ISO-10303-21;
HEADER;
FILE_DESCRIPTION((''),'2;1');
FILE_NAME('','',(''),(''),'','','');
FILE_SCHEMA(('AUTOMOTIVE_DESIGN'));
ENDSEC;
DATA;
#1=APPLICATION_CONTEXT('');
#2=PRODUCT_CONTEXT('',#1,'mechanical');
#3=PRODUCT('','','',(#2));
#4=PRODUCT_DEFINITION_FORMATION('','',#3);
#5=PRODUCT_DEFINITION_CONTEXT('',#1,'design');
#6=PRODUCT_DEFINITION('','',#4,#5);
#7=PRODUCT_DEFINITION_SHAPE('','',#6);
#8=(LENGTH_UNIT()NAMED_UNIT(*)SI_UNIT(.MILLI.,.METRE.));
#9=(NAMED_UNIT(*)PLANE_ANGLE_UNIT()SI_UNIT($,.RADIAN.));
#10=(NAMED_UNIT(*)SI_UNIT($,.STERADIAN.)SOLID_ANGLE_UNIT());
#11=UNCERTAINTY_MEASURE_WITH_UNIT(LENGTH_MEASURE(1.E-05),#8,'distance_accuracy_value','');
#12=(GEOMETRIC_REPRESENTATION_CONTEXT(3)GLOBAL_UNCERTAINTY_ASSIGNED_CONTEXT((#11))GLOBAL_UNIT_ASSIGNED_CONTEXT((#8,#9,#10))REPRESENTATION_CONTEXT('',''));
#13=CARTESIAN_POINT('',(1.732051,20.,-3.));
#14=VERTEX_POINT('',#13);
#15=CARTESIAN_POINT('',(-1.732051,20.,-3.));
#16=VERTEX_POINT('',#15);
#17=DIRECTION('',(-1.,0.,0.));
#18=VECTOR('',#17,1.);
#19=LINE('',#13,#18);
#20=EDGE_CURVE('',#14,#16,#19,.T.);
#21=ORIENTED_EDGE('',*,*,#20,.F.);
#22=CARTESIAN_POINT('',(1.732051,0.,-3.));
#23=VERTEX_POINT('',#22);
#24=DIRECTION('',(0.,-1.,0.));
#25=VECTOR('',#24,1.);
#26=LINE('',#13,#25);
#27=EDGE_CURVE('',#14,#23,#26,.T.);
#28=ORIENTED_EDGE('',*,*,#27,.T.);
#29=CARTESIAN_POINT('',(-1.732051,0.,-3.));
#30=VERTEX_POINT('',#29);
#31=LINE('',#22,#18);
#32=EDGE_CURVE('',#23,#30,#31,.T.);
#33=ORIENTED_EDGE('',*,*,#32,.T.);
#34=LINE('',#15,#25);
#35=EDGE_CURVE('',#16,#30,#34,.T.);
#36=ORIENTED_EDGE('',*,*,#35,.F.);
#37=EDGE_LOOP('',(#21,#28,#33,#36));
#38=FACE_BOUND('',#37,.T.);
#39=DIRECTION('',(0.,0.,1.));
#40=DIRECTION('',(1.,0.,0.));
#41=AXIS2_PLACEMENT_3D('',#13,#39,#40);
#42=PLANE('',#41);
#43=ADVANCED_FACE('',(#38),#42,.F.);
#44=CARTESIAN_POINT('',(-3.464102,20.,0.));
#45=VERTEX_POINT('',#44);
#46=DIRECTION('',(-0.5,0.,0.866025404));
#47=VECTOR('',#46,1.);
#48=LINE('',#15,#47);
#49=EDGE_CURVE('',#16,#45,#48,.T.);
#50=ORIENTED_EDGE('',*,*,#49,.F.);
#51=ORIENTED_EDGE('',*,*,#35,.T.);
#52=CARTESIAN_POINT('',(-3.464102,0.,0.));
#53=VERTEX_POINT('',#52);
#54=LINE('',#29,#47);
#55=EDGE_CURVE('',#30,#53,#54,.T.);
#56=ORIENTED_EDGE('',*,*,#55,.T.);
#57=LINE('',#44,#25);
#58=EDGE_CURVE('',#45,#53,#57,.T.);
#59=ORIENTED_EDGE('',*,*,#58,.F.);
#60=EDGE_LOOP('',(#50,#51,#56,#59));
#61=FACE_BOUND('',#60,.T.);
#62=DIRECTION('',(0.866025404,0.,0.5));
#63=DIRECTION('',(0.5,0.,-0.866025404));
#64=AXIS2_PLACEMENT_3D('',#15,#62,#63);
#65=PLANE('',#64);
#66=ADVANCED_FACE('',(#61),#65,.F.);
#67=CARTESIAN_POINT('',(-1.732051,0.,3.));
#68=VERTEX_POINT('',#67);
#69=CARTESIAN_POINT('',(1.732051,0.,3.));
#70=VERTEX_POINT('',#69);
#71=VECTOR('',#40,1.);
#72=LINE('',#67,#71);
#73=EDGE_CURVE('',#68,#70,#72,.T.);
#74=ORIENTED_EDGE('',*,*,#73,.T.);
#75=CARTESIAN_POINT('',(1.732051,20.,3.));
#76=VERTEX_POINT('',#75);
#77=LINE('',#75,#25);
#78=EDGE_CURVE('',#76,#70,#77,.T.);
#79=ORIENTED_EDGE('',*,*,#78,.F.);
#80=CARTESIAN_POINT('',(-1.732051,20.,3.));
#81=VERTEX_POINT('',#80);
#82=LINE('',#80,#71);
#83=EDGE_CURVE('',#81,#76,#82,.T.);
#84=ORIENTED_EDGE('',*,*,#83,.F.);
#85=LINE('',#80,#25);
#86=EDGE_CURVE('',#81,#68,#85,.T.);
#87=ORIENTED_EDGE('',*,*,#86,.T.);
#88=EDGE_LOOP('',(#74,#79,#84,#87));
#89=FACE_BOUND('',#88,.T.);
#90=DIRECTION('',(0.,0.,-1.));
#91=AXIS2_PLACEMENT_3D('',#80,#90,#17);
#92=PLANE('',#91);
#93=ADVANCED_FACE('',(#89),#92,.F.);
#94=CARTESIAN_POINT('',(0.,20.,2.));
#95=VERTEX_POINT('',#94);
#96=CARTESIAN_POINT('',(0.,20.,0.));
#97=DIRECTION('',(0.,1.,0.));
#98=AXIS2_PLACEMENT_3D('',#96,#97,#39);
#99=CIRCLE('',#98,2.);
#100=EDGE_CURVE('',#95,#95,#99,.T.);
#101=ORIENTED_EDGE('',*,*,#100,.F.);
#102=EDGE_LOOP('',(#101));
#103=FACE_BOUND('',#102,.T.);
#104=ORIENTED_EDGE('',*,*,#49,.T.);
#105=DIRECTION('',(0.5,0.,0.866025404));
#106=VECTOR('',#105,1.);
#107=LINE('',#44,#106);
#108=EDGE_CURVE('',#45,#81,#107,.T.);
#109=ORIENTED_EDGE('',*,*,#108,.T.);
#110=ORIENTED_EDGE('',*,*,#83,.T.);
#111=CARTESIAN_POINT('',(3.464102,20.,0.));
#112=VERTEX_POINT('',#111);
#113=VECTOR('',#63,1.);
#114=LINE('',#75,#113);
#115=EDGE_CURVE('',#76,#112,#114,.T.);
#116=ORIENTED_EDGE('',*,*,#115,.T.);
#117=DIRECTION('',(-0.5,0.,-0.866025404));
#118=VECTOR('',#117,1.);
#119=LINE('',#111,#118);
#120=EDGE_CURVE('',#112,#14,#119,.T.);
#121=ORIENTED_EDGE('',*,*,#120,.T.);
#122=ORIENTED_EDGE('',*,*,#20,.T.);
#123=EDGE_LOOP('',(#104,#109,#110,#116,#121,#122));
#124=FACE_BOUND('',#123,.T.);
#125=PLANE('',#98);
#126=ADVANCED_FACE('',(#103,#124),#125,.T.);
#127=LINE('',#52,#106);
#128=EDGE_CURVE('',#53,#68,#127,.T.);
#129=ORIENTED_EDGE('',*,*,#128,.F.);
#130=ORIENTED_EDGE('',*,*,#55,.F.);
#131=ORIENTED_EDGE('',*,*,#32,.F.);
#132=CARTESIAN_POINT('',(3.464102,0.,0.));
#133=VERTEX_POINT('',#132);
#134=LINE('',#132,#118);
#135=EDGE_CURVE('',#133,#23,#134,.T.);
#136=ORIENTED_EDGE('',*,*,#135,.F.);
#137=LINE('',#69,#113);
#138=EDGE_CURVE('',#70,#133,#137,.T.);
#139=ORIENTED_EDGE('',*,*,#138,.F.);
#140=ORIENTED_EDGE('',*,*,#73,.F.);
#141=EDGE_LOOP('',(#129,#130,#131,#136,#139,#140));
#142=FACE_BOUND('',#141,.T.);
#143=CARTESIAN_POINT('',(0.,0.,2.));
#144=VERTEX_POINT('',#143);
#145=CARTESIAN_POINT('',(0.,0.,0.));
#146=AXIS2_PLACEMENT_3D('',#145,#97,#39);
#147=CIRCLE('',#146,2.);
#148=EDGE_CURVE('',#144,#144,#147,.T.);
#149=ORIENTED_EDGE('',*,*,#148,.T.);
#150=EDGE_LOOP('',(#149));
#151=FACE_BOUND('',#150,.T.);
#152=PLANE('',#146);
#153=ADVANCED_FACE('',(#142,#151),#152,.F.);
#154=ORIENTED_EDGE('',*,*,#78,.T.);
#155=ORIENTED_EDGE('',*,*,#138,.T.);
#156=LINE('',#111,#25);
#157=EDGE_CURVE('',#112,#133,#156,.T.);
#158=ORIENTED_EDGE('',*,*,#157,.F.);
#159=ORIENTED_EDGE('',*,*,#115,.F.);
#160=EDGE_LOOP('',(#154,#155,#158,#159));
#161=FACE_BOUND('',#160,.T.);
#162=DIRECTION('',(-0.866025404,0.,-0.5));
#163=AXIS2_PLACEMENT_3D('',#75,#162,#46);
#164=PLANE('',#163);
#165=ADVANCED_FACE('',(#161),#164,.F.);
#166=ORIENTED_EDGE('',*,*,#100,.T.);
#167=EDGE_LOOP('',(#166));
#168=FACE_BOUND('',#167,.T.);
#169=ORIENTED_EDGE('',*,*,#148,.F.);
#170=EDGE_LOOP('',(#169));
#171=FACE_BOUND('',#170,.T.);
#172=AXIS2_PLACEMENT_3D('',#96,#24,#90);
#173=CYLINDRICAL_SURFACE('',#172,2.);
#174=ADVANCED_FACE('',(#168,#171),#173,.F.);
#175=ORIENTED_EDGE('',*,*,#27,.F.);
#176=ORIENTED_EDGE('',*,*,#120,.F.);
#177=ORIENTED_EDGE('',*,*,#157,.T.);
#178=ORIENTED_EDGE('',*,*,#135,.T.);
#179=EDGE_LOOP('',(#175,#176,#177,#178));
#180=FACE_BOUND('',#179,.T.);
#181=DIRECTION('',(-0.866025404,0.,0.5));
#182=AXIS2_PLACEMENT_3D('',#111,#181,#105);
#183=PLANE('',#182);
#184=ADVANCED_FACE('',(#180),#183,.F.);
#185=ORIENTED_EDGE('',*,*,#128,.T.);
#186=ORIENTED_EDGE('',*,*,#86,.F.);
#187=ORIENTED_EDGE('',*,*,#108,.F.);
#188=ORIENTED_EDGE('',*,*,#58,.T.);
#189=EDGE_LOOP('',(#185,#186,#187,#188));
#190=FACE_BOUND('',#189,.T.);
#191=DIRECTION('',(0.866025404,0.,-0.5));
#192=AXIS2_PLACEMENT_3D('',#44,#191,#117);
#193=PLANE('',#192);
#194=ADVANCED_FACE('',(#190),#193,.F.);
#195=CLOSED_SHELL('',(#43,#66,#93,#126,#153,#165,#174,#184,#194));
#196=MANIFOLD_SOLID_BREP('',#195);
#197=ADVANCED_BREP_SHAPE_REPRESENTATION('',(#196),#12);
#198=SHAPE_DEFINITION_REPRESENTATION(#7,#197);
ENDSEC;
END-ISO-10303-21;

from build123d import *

# Parameters (mm, degrees)
SKETCH1_R           = 2
BOSS_EXTRUDE1_DEPTH = 20


with BuildPart() as part:
    # Sketch1 → Boss-Extrude1 (new body)
    with BuildSketch(Plane(origin=(0, 0, 0), x_dir=(1, 0, 0), z_dir=(0, 1, 0))):
        Polygon((1.732050808, -3), (3.464101615, 0), (1.732050808, 3), (-1.732050808, 3), (-3.464101615, 0), (-1.732050808, -3), align=None)
        Circle(SKETCH1_R, mode=Mode.SUBTRACT)
    extrude(amount=BOSS_EXTRUDE1_DEPTH)


solid = part.part
